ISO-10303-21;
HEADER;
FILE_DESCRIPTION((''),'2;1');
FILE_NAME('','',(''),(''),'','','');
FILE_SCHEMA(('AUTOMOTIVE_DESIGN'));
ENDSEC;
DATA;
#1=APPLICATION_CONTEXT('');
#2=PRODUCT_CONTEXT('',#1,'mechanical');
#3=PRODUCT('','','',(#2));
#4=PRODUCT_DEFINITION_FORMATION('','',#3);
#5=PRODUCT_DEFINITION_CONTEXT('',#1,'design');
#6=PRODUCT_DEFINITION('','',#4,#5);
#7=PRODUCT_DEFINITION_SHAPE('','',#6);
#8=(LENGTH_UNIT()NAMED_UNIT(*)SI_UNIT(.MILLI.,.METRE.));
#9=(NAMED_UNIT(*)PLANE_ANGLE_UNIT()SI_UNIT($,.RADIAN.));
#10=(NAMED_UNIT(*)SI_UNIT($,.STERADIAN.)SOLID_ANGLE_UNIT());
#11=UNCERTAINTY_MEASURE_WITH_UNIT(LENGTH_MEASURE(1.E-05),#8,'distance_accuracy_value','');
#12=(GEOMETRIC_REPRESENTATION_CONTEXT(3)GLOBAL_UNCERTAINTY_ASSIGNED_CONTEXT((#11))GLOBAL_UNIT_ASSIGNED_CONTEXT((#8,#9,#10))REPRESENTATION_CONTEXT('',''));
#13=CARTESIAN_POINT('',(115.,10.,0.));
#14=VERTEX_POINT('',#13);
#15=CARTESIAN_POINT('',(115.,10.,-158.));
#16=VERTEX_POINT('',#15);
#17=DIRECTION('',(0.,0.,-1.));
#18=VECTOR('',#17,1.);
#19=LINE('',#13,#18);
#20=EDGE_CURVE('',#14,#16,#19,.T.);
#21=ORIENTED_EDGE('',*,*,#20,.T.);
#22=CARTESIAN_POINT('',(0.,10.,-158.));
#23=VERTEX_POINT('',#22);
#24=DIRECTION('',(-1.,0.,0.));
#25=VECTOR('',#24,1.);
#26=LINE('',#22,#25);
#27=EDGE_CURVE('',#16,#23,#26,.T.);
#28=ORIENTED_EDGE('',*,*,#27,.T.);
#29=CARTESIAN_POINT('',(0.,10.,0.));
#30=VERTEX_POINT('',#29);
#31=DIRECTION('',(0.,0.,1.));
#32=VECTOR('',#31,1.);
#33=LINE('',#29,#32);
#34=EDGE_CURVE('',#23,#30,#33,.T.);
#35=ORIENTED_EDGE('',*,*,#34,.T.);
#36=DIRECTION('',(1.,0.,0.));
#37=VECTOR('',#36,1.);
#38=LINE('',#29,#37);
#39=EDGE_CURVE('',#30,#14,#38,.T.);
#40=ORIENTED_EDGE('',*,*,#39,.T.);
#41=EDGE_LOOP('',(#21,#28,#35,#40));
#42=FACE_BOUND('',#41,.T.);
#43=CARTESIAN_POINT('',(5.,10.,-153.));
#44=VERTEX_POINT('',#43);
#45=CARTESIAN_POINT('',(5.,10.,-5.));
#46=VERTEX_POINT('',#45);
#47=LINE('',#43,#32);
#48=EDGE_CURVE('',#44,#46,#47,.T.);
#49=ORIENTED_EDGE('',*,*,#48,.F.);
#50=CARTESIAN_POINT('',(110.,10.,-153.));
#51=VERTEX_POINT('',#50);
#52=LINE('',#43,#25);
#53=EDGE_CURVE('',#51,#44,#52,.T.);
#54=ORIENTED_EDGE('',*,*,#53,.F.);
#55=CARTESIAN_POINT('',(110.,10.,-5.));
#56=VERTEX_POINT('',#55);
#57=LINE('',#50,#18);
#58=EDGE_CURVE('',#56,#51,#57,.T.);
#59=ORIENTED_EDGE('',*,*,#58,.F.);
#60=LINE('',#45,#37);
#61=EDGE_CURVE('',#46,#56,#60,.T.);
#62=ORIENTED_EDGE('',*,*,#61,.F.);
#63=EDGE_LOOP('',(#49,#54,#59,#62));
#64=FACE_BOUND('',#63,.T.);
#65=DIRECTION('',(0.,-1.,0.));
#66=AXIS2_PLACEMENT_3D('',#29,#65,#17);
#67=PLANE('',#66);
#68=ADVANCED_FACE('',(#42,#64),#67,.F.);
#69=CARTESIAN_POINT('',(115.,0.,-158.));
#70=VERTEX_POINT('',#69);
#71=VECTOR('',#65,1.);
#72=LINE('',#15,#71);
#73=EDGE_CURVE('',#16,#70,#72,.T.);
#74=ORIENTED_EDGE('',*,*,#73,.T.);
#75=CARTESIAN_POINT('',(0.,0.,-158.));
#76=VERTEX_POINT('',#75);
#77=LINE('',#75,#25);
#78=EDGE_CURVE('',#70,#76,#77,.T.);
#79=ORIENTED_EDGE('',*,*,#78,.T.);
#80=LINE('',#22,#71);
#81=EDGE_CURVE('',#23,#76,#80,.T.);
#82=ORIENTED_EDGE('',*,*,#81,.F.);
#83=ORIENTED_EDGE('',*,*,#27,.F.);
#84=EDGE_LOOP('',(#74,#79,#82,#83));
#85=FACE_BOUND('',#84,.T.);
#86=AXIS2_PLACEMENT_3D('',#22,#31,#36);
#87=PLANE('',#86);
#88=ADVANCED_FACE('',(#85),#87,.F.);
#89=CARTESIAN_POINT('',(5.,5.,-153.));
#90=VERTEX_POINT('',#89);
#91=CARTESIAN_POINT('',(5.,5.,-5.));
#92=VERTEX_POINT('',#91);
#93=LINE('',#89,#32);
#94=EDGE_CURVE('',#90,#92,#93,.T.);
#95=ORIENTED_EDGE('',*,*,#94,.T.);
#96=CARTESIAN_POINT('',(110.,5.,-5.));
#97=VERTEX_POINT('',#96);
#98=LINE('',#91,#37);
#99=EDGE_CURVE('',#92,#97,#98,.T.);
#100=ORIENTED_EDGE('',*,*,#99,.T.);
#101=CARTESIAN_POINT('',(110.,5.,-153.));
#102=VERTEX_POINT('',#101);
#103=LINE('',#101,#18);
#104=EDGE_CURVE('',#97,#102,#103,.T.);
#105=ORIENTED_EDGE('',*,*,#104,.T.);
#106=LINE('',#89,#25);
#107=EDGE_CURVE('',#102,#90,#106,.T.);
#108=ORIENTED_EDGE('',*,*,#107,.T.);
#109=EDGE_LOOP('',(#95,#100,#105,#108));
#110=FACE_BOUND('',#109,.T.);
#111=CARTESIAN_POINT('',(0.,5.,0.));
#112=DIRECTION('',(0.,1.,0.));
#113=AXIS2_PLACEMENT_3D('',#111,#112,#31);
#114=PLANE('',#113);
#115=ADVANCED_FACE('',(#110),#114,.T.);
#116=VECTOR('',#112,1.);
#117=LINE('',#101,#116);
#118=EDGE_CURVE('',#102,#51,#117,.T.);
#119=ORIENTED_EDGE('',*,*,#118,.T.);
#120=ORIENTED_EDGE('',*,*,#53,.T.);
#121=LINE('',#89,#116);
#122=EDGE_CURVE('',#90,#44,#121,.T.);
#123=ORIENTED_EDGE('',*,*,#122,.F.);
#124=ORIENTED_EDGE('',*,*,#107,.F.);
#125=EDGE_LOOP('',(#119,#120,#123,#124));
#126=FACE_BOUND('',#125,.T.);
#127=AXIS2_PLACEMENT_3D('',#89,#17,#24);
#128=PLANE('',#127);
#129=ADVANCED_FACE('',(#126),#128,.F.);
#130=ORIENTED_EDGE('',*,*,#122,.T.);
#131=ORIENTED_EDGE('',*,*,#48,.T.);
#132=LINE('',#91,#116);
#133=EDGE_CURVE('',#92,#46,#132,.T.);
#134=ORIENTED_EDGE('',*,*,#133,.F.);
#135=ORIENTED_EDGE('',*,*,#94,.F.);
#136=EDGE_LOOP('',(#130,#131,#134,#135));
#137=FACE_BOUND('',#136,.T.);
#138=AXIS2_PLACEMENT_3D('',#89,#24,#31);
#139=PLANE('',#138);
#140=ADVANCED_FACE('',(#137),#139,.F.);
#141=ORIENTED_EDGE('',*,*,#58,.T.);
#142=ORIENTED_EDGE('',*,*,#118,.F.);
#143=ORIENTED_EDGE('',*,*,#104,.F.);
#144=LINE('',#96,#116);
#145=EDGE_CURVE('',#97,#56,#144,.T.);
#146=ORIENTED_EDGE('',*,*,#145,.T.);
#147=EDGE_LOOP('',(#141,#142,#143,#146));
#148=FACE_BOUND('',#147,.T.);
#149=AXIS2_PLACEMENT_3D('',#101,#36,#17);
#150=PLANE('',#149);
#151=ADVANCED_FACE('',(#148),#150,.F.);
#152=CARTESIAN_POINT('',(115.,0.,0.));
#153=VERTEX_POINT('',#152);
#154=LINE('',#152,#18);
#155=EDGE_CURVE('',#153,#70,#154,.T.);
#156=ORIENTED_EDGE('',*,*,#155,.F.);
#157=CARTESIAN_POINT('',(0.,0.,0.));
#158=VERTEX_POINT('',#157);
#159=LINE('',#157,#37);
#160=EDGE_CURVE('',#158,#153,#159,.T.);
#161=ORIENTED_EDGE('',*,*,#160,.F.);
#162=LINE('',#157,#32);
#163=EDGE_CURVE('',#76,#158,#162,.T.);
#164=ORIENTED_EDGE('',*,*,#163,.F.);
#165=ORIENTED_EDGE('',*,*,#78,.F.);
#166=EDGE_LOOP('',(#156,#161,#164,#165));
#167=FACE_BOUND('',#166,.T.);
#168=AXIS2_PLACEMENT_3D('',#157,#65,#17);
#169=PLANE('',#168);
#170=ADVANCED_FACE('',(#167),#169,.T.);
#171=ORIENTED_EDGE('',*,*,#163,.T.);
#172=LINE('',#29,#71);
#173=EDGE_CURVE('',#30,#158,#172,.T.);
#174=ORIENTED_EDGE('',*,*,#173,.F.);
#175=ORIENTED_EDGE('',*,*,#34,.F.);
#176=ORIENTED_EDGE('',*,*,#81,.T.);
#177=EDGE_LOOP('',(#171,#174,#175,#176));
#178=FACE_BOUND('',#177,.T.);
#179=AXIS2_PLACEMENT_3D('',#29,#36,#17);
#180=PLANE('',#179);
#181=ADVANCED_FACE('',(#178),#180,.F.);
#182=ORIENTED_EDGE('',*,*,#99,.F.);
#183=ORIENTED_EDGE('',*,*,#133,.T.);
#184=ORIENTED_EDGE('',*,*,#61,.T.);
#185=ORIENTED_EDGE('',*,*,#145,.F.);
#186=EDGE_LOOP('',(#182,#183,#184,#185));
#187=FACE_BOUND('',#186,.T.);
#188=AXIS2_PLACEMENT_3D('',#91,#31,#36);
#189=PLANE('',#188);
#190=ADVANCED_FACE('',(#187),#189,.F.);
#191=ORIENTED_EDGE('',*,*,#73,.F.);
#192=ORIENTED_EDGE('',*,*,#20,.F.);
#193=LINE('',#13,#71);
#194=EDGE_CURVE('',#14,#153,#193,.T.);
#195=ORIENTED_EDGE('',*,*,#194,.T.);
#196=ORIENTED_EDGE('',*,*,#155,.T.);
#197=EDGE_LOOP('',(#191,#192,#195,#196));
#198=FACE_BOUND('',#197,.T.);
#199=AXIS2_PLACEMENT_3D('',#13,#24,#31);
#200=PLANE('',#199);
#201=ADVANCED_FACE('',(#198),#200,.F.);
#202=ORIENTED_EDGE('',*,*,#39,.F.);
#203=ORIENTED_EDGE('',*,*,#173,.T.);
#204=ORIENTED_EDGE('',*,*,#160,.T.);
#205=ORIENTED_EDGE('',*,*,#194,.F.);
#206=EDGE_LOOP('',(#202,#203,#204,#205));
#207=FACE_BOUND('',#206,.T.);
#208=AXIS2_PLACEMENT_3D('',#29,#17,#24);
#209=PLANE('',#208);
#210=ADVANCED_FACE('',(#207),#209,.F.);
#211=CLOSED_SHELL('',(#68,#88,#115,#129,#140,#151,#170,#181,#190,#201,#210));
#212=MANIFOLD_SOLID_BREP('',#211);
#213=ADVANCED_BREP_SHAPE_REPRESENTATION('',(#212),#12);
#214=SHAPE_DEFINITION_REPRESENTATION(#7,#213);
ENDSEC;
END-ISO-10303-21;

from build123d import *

# Parameters (mm, degrees)
CROQUIS1_W              = 115
CROQUIS1_H              = 158
SALIENTE_EXTRUIR1_DEPTH = 10
CROQUIS2_W              = 105
CROQUIS2_H              = 148
CORTAR_EXTRUIR2_DEPTH   = 5


with BuildPart() as part:
    # Croquis1 → Saliente-Extruir1 (new body)
    with BuildSketch(Plane(origin=(0, 0, 0), x_dir=(1, 0, 0), z_dir=(0, 1, 0))):
        with Locations((57.5, 79)):
            Rectangle(CROQUIS1_W, CROQUIS1_H)
    extrude(amount=SALIENTE_EXTRUIR1_DEPTH)

    # Croquis2 → Cortar-Extruir2 (cut)
    with BuildSketch(Plane(origin=(0, 10, 0), x_dir=(1, 0, 0), z_dir=(0, 1, 0))):
        with Locations((57.5, 79)):
            Rectangle(CROQUIS2_W, CROQUIS2_H)
    extrude(amount=-CORTAR_EXTRUIR2_DEPTH, mode=Mode.SUBTRACT)


solid = part.part
